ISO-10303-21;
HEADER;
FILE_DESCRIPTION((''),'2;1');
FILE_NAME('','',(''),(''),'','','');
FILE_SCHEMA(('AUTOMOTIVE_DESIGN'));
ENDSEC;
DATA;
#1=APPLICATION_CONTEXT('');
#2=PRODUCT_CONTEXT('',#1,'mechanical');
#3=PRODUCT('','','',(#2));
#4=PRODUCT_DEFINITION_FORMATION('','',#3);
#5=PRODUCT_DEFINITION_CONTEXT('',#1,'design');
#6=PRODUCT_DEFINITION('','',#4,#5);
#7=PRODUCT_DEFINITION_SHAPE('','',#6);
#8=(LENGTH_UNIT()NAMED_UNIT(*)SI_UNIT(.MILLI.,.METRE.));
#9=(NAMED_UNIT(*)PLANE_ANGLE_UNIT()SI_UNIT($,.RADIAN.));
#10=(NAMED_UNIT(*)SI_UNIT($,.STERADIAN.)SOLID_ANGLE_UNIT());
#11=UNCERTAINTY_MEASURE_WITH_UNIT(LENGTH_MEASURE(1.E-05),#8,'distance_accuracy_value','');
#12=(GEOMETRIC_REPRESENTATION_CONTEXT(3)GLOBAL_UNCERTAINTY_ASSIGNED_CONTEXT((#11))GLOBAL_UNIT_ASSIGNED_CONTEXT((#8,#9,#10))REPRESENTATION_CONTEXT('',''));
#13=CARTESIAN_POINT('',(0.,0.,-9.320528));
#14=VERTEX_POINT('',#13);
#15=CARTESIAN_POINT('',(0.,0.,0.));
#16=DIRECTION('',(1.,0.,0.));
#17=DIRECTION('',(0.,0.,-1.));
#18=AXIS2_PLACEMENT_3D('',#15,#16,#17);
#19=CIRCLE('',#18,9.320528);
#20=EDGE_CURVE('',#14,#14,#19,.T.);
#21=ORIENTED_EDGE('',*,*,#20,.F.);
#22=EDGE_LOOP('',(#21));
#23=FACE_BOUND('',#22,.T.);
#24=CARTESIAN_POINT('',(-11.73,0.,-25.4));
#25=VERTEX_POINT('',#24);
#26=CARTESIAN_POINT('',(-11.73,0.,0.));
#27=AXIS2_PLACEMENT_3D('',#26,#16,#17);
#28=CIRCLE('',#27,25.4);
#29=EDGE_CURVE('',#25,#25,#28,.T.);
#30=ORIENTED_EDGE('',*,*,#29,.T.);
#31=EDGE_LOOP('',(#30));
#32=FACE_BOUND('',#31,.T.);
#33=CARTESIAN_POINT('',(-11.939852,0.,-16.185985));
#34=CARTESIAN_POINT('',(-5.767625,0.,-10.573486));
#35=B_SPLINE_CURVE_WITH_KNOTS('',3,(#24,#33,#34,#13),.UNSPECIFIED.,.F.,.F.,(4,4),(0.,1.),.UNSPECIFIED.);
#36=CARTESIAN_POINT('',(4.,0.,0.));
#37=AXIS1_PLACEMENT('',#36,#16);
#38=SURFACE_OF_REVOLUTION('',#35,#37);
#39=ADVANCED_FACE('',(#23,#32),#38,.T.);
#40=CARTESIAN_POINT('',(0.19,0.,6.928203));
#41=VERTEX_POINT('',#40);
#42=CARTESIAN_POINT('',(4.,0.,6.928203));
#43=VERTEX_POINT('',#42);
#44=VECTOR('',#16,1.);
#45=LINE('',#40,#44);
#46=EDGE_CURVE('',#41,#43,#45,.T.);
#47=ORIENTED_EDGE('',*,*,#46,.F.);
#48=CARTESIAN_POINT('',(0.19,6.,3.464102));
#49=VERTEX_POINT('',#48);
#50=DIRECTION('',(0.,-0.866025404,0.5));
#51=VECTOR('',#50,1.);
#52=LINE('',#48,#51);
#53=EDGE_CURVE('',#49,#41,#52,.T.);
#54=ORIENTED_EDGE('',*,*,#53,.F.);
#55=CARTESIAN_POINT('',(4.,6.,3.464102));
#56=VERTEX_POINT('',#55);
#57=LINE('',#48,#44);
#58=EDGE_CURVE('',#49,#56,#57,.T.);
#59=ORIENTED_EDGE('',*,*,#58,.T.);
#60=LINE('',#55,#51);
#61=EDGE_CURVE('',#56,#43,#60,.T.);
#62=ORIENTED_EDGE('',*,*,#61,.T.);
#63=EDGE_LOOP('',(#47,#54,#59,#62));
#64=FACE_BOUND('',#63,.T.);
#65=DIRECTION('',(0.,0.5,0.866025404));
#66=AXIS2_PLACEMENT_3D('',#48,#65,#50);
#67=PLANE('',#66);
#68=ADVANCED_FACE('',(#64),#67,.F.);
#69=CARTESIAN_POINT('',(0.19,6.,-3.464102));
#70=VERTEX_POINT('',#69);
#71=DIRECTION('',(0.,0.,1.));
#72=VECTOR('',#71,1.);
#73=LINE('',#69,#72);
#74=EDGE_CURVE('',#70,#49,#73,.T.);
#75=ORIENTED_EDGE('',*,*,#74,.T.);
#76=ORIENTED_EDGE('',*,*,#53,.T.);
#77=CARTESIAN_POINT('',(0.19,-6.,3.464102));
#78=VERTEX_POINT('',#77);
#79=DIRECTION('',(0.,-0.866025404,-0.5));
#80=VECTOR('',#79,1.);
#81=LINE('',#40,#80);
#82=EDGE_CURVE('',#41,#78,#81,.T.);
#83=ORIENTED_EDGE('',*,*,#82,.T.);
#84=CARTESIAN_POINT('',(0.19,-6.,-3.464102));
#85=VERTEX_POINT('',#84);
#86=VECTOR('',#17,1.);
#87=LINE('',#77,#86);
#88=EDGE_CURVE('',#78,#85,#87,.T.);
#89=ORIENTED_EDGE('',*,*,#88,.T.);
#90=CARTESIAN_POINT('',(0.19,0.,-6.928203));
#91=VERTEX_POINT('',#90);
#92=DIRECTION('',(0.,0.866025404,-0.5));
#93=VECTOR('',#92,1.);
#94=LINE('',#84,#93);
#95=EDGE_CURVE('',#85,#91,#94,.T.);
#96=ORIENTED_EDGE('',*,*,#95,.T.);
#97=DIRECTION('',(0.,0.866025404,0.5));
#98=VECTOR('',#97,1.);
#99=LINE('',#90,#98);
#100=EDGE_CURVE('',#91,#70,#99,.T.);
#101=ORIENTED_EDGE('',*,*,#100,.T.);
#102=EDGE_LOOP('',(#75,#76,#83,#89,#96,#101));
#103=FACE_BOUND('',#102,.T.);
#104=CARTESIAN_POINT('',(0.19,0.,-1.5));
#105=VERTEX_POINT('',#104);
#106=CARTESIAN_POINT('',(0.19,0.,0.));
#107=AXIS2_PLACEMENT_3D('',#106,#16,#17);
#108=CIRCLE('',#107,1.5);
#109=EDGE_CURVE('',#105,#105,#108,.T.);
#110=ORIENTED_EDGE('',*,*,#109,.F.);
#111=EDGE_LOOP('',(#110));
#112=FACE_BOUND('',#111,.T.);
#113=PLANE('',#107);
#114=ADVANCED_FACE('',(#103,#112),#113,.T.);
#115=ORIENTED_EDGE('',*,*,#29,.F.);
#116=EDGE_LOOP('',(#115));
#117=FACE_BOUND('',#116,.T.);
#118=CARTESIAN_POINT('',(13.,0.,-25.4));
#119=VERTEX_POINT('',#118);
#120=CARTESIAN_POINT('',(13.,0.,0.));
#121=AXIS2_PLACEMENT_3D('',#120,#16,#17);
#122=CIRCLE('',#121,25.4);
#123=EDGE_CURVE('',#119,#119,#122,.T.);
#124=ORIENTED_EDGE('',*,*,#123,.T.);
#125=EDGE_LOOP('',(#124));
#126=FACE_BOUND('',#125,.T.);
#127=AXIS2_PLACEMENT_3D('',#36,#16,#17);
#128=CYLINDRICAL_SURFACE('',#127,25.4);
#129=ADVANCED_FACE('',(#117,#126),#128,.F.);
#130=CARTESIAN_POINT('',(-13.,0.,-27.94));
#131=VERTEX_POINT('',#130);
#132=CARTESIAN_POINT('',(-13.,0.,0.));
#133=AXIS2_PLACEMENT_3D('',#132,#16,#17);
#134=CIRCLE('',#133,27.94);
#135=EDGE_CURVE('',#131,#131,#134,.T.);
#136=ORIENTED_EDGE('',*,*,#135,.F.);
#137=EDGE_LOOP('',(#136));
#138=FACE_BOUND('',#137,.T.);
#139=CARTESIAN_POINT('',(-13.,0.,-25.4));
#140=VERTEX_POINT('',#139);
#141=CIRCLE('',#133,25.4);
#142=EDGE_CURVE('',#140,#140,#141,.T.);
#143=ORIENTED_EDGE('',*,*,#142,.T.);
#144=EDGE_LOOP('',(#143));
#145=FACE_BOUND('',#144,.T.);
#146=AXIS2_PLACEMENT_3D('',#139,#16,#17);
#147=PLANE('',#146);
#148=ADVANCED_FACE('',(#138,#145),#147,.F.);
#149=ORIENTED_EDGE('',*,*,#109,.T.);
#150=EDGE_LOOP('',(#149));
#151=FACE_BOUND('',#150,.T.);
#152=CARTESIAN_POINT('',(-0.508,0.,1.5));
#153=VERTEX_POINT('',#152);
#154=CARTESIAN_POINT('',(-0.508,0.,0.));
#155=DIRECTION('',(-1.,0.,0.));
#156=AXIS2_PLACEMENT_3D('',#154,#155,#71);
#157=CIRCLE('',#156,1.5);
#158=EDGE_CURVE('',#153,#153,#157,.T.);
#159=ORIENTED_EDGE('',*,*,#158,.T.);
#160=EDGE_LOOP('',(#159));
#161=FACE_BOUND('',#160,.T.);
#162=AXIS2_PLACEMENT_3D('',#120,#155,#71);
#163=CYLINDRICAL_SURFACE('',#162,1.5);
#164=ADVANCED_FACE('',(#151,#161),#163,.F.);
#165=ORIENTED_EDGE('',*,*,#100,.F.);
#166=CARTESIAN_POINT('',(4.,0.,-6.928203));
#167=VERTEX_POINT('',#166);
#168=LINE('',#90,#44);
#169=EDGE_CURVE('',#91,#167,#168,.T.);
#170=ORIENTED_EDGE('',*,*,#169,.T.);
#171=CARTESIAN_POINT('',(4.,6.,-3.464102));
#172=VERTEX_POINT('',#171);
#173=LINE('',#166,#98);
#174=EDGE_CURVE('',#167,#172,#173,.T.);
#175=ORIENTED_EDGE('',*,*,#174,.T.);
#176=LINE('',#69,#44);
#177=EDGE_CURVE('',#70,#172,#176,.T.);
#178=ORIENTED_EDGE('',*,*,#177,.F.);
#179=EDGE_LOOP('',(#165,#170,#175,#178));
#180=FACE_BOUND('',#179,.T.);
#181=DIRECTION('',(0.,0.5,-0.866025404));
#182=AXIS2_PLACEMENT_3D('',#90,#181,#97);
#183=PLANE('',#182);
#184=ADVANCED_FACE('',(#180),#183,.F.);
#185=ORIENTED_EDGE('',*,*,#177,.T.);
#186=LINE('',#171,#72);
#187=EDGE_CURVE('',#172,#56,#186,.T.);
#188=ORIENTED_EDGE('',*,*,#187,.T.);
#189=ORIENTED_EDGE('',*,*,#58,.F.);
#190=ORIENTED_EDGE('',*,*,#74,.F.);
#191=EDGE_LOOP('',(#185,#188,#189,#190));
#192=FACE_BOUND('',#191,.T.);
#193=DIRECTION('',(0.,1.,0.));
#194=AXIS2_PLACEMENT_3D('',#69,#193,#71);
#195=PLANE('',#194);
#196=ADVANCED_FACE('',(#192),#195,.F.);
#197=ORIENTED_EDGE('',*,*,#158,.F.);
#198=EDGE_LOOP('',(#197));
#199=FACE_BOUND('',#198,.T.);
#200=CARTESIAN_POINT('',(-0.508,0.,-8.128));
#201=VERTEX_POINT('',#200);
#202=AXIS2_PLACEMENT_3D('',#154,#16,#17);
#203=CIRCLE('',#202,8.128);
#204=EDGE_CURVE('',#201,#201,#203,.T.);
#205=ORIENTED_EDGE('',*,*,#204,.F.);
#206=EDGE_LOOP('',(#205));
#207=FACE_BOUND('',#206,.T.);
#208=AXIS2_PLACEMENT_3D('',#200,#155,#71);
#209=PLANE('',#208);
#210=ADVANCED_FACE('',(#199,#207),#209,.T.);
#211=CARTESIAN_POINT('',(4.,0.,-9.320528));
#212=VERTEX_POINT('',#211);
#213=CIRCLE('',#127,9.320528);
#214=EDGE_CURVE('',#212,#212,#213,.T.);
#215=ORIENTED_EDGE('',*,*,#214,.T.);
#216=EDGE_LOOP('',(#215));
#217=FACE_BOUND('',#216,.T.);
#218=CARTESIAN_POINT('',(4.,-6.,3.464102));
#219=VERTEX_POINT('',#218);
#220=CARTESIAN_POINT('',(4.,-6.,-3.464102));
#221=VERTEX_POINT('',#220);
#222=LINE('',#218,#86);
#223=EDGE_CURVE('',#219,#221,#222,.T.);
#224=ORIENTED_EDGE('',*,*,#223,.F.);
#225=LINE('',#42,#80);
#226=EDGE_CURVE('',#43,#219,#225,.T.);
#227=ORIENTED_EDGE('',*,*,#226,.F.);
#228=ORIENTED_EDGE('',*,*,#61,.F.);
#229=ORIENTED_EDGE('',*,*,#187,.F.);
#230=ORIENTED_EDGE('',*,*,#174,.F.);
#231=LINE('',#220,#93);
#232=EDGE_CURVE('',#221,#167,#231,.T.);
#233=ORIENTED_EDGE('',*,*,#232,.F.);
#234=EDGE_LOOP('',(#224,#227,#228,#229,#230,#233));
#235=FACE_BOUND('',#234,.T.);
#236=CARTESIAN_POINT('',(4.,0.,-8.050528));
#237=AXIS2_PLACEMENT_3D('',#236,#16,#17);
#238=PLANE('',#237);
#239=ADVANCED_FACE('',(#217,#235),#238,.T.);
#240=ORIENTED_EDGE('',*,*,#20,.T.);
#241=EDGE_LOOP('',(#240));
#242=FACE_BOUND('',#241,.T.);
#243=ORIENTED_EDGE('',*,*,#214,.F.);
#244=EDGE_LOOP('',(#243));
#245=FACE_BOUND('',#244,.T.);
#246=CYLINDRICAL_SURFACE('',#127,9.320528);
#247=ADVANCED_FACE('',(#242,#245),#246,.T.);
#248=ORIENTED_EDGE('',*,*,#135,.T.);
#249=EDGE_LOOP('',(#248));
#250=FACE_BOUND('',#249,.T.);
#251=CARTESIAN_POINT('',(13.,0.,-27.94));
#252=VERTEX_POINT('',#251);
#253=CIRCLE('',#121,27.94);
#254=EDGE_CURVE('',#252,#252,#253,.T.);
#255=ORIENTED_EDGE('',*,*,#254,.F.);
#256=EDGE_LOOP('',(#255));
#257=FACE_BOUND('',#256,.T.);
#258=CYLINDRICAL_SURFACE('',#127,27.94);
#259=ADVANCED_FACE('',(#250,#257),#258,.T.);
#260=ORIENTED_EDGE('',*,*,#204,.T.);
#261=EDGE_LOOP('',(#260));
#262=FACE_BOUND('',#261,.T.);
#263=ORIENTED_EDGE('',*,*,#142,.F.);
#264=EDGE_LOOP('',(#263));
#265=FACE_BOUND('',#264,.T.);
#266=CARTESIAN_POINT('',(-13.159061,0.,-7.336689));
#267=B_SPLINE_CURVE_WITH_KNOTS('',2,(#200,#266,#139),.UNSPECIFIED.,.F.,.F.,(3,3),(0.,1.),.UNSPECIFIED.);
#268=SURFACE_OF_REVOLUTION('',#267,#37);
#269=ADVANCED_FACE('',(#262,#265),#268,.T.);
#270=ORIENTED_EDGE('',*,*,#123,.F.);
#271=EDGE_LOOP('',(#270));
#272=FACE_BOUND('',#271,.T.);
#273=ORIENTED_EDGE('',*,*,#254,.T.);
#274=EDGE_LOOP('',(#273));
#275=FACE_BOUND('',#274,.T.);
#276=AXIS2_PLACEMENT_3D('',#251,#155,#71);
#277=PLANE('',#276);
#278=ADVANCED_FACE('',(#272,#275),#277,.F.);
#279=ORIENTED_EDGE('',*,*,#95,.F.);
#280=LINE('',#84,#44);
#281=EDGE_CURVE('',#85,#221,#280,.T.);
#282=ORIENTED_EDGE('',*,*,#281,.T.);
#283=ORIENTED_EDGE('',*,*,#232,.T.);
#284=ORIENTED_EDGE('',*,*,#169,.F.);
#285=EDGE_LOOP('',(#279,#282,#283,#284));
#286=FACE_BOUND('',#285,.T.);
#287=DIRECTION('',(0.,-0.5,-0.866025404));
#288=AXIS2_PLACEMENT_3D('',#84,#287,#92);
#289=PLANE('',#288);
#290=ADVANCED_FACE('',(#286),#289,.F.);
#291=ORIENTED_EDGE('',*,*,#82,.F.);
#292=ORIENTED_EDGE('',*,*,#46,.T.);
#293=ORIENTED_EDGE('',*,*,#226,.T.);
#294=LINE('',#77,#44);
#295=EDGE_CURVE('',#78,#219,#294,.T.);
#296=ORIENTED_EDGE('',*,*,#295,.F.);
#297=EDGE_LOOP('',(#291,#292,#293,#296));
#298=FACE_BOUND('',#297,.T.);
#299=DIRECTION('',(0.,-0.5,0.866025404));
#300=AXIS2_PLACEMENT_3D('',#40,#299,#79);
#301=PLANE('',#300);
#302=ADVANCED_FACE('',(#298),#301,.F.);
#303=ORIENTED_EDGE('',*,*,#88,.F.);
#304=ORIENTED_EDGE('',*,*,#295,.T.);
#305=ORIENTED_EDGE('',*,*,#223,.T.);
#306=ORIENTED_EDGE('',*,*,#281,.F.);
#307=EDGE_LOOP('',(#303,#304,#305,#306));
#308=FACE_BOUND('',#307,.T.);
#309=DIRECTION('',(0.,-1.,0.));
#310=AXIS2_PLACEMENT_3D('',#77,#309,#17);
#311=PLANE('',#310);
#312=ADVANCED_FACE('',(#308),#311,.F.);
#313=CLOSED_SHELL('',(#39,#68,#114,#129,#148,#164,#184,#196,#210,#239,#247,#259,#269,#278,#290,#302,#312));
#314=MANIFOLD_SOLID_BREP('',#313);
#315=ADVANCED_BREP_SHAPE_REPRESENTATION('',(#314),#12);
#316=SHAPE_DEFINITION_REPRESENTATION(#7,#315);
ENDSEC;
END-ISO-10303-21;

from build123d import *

# Parameters (mm, degrees)
CUT_EXTRUDE1_DEPTH = 3.81
SKETCH6_R          = 1.5
CUT_EXTRUDE2_DEPTH = 14.508000035


with BuildPart() as part:
    # Sketch2 → Main Revolve (revolve)
    with BuildSketch(Plane(origin=(0, 0, 0), x_dir=(1, 0, 0), z_dir=(0, 1, 0))):
        with BuildLine():
            Line((4, 8.05052812), (4, 9.32052812))
            Line((4, 9.32052812), (0, 9.32052812))
            add(Edge.make_bspline(
                [(-11.730000035, 25.4), (-11.939852155, 16.185984948), (-5.767624941, 10.573485752), (0, 9.32052812)],
                knots=[0, 0, 0, 0, 1, 1, 1, 1], degree=3))
            Line((-11.730000035, 25.4), (13.000000035, 25.4))
            Line((13.000000035, 25.4), (13.000000035, 27.94))
            Line((13.000000035, 27.94), (-13.000000035, 27.94))
            Line((-13.000000035, 27.94), (-13.000000035, 25.4))
            add(Edge.make_bspline(
                [(-0.508, 8.128), (-13.159061445, 7.336688862), (-13.000000035, 25.4)],
                knots=[0, 0, 0, 1, 1, 1], degree=2))
            Line((-0.508, 8.128), (-0.508, 0))
            Line((-0.508, 0), (4, 0))
            Line((4, 0), (4, 8.05052812))
        make_face()
    revolve(axis=Axis((4, 0, 0), (-1, 0, 0)))

    # Sketch5 → Cut-Extrude1 (cut)
    with BuildSketch(Plane(origin=(4, 0, 0), x_dir=(0, 0, -1), z_dir=(1, 0, 0))):
        Polygon((6.92820323, 0), (3.464101615, 6), (-3.464101615, 6), (-6.92820323, 0), (-3.464101615, -6), (3.464101615, -6), align=None)
    extrude(amount=-CUT_EXTRUDE1_DEPTH, mode=Mode.SUBTRACT)

    # Sketch6 → Cut-Extrude2 (cut, through all)
    with BuildSketch(Plane.ZY.offset(0.508)):
        Circle(SKETCH6_R)
    extrude(amount=-CUT_EXTRUDE2_DEPTH, mode=Mode.SUBTRACT)


solid = part.part
